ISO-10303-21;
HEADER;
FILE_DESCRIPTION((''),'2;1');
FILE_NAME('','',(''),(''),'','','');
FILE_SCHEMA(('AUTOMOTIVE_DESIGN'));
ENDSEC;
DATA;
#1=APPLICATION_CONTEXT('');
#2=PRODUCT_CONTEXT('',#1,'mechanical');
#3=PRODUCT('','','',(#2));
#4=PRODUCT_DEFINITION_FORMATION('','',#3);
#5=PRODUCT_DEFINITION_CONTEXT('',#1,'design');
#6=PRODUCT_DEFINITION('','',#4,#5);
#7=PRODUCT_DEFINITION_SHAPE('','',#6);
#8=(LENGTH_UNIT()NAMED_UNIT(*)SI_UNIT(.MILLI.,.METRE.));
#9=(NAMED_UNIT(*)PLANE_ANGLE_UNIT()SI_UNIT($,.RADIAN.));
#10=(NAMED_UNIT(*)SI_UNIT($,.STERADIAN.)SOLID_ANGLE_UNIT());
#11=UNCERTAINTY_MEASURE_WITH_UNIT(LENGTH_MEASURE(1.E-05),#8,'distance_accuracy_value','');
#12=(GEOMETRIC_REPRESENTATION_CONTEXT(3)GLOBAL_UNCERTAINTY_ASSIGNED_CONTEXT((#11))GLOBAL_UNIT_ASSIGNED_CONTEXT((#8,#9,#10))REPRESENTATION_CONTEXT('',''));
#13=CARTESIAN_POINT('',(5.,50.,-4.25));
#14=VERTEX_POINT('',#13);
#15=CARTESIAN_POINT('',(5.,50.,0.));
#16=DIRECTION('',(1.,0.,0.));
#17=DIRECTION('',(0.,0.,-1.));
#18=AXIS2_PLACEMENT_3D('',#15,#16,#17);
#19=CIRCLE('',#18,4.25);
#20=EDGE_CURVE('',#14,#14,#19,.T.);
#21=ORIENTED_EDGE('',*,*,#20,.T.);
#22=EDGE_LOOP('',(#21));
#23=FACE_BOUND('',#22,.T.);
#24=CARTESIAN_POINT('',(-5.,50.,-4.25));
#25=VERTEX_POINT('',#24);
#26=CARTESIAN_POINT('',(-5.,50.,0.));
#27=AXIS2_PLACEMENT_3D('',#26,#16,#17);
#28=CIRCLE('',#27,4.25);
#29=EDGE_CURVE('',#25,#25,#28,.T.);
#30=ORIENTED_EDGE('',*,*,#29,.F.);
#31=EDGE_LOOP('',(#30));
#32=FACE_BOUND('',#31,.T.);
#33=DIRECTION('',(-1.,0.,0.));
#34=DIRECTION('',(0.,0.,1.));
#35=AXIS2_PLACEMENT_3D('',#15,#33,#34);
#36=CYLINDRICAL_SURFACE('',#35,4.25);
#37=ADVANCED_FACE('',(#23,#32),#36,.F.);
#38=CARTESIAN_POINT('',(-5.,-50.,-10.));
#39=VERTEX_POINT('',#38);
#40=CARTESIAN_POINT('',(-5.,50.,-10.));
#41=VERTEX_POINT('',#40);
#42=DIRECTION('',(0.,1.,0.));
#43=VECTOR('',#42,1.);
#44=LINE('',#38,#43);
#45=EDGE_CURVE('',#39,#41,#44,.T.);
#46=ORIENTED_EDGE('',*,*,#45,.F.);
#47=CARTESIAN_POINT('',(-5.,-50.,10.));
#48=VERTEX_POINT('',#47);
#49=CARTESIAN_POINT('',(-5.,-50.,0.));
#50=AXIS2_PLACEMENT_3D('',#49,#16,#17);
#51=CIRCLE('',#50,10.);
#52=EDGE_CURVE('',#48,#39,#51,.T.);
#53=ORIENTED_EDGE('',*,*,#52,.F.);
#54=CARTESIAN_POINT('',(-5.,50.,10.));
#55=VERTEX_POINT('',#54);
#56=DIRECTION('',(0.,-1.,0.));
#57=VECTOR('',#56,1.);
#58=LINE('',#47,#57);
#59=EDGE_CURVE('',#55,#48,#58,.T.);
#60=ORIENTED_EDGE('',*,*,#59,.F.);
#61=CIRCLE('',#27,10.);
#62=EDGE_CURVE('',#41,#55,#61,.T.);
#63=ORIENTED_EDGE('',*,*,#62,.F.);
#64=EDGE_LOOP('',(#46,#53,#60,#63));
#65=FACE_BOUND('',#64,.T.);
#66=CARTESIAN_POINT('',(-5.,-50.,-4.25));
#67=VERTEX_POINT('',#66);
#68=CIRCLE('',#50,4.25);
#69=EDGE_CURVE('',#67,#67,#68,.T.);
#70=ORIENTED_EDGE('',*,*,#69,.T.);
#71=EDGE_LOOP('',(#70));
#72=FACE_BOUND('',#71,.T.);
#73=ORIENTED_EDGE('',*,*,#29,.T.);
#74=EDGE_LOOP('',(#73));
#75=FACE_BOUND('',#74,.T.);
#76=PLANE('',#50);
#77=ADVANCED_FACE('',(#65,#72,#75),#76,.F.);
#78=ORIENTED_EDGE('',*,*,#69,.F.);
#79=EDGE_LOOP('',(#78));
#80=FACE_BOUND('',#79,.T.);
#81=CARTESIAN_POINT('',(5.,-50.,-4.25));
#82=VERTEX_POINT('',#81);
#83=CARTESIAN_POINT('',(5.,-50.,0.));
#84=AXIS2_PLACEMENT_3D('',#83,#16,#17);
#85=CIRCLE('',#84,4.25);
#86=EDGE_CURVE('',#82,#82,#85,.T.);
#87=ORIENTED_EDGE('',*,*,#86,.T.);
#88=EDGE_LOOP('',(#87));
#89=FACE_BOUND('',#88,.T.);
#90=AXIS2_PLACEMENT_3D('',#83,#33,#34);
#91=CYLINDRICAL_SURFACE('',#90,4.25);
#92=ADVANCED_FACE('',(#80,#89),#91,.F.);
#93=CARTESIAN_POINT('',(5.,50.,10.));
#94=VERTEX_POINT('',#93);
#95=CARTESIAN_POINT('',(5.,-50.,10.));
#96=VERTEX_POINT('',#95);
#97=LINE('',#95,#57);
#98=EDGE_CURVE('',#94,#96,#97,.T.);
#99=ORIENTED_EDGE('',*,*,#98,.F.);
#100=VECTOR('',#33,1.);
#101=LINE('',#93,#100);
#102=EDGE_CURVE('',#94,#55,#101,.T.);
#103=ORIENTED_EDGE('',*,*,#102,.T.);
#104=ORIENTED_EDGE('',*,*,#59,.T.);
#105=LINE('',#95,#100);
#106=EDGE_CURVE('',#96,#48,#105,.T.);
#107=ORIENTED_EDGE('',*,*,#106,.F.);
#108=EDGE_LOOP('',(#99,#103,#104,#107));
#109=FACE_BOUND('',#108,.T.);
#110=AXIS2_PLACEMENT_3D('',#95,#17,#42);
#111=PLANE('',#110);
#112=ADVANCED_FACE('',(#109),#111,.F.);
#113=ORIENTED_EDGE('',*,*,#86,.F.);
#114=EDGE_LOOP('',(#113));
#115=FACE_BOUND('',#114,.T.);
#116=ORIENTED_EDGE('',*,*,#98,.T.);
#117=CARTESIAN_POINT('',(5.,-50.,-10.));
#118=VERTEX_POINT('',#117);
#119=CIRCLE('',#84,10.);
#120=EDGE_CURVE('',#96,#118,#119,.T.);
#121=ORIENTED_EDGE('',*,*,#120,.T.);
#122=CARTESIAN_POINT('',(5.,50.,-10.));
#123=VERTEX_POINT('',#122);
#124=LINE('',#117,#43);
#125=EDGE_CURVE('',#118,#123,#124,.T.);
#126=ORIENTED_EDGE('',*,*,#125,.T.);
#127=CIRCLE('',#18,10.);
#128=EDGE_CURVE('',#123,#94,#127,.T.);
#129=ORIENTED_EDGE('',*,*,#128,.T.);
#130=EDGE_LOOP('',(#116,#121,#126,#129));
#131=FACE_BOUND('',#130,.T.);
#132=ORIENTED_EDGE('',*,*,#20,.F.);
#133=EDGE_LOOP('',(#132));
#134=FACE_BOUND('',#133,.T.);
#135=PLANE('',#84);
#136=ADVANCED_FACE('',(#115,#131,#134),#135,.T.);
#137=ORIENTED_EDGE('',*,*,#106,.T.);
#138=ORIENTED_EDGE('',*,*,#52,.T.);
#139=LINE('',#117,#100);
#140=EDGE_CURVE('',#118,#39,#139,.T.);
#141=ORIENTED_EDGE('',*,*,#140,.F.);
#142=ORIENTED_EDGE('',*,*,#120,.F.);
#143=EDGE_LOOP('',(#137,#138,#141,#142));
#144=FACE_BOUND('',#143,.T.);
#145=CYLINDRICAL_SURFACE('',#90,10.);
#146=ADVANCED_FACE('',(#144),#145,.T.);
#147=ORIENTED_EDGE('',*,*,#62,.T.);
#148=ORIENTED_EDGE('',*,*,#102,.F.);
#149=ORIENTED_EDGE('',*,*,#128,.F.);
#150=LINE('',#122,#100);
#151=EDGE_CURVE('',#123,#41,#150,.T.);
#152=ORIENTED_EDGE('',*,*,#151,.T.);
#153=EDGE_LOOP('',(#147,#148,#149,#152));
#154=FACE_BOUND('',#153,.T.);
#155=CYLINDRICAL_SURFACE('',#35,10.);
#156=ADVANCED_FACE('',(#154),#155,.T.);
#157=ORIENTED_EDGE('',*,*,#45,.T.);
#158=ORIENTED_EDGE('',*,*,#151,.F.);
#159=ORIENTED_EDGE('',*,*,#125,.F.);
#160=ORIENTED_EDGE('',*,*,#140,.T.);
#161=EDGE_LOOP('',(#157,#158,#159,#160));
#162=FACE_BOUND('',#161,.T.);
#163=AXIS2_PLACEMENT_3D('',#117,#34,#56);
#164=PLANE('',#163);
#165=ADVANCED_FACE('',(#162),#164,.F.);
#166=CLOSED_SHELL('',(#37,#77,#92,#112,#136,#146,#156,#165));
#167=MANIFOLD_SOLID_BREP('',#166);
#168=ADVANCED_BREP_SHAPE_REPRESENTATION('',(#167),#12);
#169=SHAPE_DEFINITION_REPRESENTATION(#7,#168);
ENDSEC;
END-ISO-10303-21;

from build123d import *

# Parameters (mm, degrees)
CROQUIS1_R              = 4.25
SALIENTE_EXTRUIR1_DEPTH = 5


with BuildPart() as part:
    # Croquis1 → Saliente-Extruir1 (new, symmetric)
    with BuildSketch(Plane(origin=(0, 0, 0), x_dir=(0, 0, -1), z_dir=(1, 0, 0))):
        with BuildLine():
            Line((-10, -50), (-10, 50))
            ThreePointArc((-10, 50), (0, 60), (10, 50))
            Line((10, 50), (10, -50))
            ThreePointArc((10, -50), (0, -60), (-10, -50))
        make_face()
        with Locations((0, 50)):
            Circle(CROQUIS1_R, mode=Mode.SUBTRACT)
        with Locations((0, -50)):
            Circle(CROQUIS1_R, mode=Mode.SUBTRACT)
    extrude(amount=SALIENTE_EXTRUIR1_DEPTH, both=True)


solid = part.part
